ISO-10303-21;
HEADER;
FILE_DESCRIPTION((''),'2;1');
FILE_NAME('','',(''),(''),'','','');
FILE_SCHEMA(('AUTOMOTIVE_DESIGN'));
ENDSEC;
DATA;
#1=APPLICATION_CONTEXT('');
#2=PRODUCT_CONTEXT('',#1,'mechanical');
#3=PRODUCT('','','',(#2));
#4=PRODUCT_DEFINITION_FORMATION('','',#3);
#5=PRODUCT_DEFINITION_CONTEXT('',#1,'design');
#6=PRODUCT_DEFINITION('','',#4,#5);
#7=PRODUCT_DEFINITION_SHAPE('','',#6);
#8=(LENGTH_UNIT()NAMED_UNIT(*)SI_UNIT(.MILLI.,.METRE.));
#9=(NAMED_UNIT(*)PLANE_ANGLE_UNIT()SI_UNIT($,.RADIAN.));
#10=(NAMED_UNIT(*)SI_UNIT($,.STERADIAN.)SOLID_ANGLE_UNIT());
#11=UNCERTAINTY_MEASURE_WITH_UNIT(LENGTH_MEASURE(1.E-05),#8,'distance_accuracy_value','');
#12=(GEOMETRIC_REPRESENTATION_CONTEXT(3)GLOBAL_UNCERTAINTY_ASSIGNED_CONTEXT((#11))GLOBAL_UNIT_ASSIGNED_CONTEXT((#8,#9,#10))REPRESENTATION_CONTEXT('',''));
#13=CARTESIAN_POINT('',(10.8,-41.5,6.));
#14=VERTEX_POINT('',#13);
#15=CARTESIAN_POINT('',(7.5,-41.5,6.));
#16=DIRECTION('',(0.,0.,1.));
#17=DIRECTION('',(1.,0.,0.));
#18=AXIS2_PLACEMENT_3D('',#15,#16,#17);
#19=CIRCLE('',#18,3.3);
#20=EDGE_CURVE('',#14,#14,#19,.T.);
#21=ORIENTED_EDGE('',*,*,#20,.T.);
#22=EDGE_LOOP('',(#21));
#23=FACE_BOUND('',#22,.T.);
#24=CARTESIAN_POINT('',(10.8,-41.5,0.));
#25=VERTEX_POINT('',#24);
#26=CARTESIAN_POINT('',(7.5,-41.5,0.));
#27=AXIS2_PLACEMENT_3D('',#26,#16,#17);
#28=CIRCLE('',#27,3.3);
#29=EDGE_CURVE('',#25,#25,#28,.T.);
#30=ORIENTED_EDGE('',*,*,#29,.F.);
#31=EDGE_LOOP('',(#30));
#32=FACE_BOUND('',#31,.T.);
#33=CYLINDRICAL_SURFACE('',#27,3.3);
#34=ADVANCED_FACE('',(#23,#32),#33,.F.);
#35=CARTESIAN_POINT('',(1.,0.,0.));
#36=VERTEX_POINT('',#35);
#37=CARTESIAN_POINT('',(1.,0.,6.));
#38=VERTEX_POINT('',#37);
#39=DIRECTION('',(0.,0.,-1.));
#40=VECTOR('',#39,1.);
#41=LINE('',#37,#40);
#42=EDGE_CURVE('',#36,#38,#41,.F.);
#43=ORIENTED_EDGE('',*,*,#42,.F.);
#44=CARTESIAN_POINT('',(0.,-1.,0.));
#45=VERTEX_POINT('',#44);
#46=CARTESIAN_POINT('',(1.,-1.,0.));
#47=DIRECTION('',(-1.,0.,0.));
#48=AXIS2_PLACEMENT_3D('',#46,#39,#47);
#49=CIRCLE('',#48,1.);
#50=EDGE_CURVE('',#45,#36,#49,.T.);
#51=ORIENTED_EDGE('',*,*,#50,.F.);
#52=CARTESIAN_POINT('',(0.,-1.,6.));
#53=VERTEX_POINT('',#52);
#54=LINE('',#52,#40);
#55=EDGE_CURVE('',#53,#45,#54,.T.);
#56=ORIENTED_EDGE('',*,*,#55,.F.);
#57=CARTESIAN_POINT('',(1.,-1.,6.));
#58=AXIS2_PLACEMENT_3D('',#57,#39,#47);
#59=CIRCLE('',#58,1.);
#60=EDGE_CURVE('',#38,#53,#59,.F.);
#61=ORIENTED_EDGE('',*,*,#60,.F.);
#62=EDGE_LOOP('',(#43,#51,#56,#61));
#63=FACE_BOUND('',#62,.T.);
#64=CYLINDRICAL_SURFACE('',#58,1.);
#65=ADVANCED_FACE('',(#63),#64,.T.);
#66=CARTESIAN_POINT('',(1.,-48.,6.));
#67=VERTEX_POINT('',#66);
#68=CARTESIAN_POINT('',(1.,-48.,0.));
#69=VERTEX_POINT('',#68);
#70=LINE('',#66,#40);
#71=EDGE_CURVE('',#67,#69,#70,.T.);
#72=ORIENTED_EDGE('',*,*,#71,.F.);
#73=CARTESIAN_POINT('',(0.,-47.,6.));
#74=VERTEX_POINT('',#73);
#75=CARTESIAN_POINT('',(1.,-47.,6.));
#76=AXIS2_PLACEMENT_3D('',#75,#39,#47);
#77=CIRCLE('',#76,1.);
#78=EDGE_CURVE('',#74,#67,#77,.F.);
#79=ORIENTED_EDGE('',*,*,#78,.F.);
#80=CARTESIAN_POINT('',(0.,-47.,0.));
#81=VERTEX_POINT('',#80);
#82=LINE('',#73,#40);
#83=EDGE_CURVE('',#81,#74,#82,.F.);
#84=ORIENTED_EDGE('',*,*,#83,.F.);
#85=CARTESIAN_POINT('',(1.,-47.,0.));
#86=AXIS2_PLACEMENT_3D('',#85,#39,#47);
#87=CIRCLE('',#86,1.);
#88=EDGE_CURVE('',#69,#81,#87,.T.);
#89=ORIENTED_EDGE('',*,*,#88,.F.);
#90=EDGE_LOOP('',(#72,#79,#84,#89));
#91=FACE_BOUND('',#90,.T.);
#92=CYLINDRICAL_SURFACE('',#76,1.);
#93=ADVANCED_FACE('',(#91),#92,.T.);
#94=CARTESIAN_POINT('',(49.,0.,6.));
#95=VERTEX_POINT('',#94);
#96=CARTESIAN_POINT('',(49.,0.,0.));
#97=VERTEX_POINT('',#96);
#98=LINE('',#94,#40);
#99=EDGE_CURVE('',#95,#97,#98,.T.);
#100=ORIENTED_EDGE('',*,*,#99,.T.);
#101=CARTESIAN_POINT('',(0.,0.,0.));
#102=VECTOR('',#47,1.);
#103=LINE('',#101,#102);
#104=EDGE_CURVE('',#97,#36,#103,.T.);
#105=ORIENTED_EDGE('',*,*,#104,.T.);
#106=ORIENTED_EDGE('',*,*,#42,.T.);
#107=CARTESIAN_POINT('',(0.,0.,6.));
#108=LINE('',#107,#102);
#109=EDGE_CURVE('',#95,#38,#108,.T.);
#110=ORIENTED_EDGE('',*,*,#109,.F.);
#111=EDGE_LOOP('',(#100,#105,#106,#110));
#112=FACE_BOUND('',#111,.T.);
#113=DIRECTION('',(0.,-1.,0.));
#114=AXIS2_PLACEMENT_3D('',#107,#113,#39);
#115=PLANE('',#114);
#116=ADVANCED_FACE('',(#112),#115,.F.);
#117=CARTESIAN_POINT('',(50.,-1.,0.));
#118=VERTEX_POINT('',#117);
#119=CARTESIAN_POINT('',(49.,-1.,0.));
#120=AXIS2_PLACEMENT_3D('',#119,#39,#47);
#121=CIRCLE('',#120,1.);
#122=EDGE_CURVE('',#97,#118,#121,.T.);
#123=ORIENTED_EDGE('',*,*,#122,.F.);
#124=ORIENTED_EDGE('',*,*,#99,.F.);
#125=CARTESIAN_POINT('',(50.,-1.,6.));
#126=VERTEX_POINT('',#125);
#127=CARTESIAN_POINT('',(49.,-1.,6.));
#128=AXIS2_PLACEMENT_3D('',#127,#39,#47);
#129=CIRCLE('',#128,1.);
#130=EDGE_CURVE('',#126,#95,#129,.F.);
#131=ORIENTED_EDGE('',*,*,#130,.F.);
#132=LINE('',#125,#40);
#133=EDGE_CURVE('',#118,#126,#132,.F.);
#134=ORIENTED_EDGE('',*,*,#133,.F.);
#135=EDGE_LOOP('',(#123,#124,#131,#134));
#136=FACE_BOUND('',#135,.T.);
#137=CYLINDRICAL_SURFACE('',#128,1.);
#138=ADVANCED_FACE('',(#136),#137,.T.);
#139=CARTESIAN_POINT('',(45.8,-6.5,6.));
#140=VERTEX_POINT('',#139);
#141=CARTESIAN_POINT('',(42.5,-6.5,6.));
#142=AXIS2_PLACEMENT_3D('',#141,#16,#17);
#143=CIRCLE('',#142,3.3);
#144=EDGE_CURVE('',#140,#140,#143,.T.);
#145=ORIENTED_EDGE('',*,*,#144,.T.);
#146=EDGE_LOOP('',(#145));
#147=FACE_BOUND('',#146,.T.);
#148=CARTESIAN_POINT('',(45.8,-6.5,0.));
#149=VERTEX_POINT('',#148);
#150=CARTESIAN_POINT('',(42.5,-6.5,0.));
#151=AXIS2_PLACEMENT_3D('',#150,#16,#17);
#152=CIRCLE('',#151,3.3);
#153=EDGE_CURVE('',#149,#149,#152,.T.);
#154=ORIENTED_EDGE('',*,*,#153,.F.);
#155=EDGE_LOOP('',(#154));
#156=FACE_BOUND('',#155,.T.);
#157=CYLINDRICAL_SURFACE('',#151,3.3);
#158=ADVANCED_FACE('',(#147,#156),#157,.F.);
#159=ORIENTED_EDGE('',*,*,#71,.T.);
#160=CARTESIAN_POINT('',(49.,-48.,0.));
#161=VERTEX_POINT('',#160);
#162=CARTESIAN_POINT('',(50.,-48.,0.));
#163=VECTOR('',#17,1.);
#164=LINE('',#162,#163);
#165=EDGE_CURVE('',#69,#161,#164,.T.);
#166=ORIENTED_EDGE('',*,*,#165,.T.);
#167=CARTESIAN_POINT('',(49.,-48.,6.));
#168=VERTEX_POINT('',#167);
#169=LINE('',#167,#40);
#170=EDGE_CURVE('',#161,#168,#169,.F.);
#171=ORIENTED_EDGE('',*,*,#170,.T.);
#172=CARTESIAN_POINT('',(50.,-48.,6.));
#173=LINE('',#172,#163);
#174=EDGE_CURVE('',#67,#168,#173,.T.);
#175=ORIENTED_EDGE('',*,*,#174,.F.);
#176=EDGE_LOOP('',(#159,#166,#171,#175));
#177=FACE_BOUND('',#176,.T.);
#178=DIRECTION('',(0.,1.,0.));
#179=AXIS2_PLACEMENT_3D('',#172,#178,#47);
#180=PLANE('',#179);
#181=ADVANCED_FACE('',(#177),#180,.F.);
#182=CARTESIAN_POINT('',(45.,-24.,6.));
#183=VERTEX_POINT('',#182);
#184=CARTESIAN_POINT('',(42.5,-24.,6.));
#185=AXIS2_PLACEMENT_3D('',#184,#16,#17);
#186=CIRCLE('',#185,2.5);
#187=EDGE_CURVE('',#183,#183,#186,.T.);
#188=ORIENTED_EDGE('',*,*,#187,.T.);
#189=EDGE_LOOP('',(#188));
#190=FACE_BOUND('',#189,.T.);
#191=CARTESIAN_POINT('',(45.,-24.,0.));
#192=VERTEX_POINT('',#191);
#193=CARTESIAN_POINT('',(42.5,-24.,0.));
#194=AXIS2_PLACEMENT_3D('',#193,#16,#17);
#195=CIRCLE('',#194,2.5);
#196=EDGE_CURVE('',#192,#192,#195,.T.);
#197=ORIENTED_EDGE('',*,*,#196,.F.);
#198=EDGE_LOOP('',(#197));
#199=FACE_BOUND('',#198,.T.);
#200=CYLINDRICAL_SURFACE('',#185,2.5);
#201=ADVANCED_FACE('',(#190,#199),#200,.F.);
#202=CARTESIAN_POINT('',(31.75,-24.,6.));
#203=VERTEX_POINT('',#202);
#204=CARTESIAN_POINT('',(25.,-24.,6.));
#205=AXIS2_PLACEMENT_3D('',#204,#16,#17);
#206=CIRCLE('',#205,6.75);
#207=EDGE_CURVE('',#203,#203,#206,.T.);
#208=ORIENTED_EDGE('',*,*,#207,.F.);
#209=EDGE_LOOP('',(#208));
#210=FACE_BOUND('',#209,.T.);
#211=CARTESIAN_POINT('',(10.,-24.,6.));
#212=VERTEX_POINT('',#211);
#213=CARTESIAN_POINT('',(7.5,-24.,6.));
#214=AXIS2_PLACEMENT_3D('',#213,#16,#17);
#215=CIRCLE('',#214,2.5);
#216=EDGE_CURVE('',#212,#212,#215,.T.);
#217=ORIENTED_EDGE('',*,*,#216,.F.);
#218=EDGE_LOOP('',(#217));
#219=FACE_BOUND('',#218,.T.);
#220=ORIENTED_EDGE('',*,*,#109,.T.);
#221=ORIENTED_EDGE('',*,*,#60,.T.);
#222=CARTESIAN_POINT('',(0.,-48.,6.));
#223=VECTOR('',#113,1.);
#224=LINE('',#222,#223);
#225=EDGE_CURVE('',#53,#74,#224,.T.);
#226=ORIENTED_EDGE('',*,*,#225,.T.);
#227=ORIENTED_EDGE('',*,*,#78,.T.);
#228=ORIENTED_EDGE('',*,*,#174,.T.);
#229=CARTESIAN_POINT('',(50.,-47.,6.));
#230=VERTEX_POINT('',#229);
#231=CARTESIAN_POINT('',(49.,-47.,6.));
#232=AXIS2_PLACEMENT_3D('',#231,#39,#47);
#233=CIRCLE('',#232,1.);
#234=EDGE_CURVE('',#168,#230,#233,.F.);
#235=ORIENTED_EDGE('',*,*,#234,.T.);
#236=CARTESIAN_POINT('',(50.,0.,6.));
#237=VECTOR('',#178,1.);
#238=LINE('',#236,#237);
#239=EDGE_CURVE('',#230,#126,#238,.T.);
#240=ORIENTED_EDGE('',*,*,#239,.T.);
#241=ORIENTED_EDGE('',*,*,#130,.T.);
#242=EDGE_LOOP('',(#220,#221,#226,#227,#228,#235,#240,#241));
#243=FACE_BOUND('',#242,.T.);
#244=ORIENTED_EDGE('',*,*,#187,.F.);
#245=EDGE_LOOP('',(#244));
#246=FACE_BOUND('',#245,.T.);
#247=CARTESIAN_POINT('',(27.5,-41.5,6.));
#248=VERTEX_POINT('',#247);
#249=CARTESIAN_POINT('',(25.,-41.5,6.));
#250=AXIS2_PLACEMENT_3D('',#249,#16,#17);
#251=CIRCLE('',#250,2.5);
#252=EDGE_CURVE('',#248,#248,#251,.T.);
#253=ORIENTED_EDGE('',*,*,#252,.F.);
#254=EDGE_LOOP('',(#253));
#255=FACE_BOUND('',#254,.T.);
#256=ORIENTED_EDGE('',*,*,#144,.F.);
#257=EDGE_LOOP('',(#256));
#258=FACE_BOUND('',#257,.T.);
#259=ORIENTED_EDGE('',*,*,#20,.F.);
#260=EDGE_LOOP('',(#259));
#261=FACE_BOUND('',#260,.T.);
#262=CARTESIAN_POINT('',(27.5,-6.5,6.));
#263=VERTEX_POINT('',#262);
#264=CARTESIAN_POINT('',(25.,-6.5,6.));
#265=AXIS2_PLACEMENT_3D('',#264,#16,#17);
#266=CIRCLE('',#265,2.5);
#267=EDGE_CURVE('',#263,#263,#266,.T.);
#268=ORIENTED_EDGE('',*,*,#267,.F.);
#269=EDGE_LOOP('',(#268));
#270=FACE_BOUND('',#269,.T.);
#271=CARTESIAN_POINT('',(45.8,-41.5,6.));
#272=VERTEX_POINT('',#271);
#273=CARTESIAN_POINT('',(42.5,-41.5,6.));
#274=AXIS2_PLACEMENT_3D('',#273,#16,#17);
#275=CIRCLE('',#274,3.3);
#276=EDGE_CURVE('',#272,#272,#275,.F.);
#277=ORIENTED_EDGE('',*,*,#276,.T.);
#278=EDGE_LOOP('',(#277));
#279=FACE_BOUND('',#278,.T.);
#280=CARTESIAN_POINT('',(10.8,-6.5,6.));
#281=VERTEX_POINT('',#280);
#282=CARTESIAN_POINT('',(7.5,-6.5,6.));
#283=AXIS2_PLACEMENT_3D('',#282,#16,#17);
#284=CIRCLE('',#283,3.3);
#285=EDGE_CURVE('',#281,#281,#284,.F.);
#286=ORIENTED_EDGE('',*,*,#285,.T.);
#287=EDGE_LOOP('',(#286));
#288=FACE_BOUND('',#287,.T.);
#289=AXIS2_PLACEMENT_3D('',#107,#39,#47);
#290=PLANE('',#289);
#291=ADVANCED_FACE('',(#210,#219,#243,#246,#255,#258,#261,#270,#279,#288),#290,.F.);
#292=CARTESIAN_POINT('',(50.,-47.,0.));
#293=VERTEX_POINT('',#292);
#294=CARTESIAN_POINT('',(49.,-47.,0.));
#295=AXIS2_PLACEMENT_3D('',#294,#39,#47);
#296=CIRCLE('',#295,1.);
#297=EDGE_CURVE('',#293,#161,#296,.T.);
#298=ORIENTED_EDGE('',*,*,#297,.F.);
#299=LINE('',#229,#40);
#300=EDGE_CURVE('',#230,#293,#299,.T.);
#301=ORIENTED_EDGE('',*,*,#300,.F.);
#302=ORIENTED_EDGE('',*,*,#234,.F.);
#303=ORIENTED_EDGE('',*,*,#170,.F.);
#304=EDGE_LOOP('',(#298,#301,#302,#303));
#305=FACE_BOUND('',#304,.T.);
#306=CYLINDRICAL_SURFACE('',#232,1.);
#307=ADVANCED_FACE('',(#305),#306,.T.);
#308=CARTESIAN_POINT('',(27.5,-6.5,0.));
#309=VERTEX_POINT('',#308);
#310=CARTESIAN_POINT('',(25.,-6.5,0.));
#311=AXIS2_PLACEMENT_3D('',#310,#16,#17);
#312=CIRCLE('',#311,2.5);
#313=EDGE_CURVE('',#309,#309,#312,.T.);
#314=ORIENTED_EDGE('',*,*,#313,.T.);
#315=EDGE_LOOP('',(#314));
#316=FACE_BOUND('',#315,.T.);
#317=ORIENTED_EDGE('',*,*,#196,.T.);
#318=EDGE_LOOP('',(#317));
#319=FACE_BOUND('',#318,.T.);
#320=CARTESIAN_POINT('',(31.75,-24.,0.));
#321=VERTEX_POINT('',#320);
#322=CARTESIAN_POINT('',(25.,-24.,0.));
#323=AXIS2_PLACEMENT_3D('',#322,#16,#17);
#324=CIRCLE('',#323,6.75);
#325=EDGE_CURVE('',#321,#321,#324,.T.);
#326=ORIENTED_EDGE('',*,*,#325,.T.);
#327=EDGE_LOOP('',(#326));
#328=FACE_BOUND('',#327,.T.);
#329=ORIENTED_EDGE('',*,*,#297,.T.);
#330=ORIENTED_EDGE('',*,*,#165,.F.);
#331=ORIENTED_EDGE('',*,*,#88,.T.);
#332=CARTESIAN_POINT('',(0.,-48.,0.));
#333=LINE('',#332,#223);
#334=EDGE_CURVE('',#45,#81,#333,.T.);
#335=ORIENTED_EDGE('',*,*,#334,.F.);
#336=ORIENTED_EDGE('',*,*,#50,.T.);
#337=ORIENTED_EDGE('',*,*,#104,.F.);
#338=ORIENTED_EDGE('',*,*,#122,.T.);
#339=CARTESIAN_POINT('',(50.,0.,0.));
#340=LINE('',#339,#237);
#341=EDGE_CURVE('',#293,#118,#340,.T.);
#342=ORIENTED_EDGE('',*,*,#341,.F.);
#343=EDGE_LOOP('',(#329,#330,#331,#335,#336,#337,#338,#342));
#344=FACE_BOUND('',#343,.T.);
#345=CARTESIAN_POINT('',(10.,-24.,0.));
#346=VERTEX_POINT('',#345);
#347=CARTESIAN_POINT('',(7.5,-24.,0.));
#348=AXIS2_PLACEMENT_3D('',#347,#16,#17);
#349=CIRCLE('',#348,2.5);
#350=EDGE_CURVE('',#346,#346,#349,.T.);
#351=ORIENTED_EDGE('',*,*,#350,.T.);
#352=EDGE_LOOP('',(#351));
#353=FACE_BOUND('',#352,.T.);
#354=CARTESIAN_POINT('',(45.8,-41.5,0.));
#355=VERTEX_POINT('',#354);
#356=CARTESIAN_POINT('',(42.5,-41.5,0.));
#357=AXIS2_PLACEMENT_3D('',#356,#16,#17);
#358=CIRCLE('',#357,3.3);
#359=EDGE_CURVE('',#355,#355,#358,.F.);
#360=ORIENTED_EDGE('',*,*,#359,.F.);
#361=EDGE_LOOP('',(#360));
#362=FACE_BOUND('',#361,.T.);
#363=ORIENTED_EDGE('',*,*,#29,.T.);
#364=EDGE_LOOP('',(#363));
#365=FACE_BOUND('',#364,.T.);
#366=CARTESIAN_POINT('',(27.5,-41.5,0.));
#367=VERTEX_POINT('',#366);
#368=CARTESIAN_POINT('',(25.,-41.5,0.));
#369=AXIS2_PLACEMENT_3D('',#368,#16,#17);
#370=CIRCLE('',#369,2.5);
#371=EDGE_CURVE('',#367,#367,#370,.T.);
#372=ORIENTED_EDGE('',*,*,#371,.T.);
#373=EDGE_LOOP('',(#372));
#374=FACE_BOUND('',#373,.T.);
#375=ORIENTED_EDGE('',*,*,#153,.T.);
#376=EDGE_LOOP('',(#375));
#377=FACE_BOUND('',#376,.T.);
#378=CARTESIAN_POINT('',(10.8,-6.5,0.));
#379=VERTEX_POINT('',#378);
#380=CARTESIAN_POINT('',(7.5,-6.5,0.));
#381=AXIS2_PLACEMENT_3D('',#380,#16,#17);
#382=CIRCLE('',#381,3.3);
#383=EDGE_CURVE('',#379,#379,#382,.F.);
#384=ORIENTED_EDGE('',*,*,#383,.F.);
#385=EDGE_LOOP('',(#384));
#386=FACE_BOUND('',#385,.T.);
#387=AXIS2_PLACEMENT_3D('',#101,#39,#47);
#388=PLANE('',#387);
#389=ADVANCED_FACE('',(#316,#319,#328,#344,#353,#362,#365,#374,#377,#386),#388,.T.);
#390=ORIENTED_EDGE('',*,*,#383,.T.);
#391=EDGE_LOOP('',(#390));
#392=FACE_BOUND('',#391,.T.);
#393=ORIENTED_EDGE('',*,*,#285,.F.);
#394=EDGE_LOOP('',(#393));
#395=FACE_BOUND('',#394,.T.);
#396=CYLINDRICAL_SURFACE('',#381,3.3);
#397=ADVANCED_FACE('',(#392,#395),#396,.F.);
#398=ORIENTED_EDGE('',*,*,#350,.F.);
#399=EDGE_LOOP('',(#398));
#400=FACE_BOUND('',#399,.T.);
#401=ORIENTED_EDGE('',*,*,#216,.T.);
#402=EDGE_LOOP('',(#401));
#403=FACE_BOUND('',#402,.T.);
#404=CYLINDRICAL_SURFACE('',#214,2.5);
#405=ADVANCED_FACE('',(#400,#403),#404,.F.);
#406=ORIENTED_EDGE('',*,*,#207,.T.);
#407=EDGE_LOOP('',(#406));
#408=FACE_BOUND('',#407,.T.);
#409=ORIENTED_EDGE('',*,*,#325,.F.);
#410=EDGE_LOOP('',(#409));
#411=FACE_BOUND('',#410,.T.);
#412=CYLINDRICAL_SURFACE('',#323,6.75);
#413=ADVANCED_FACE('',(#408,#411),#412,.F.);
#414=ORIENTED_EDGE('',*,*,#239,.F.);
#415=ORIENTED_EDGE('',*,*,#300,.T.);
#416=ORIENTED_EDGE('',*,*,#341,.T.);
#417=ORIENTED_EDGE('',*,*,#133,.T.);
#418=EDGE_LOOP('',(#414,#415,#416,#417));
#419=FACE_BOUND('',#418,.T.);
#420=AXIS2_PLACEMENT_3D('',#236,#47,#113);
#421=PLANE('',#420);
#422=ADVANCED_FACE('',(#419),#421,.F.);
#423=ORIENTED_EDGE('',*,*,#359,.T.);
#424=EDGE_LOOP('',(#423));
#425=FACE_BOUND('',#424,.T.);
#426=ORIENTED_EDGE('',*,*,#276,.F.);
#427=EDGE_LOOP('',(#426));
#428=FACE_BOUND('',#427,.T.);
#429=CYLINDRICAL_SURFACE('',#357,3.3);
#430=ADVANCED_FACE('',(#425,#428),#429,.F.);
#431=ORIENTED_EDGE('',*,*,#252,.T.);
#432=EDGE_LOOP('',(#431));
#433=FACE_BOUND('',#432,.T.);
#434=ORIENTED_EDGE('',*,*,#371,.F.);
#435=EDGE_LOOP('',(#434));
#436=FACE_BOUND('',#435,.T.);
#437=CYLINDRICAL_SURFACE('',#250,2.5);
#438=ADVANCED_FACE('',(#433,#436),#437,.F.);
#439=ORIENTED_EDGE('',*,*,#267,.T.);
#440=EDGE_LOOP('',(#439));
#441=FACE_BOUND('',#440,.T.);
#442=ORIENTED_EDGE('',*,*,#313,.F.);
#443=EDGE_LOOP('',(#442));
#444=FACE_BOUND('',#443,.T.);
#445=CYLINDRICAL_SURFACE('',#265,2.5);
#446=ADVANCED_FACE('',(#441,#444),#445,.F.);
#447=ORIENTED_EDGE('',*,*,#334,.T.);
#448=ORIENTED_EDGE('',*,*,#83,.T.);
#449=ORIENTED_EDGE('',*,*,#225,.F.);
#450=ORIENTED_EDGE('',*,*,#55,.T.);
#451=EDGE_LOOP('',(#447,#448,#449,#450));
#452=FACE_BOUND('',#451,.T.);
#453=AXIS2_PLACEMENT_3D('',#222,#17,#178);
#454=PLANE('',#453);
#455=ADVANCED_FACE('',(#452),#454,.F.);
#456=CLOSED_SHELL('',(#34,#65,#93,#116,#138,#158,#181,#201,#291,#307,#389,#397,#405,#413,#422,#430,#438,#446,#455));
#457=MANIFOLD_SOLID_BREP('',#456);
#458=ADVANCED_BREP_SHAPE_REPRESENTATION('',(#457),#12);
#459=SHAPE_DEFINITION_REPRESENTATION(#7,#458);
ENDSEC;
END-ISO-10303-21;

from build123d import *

# Parameters (mm, degrees)
SKETCH_1_W          = 50
SKETCH_1_H          = 48
EXTRUDE_1_DEPTH     = 6
FILLET_1_R          = 1
SKETCH_2_R          = 3.3
CUT_EXTRUDE_1_DEPTH = 70.570108524
HOLE_WIZARD_M6_2_D  = 5


with BuildPart() as part:
    # 草图1 → 凸台-拉伸1 (new body)
    with BuildSketch(Plane.XY):
        with Locations((25, -24)):
            Rectangle(SKETCH_1_W, SKETCH_1_H)
    extrude(amount=EXTRUDE_1_DEPTH)

    # 圆角1
    fillet_1_edges = [part.edges().sort_by_distance(p)[0] for p in [
        (0, 0, 3),
        (50, 0, 3),
        (50, -48, 3),
        (0, -48, 3),
    ]]
    fillet(fillet_1_edges, radius=FILLET_1_R)

    # 草图2 → 切除-拉伸1 (cut, through all)
    with BuildSketch(Plane.XY.offset(6)):
        with Locations((7.5, -6.5)):
            Circle(SKETCH_2_R)
        with Locations((42.5, -6.5)):
            Circle(SKETCH_2_R)
        with Locations((42.5, -41.5)):
            Circle(SKETCH_2_R)
        with Locations((7.5, -41.5)):
            Circle(SKETCH_2_R)
        with BuildLine():
            Line((25, -24), (31.75, -24))
            ThreePointArc((31.75, -24), (29.772970773, -19.227029227), (25, -17.25))
            Line((25, -17.25), (25, -24))
        make_face()
        with BuildLine():
            Line((18.25, -24), (25, -24))
            Line((25, -24), (25, -17.25))
            ThreePointArc((25, -17.25), (20.227029227, -19.227029227), (18.25, -24))
        make_face()
        with BuildLine():
            ThreePointArc((25, -30.75), (29.772970773, -28.772970773), (31.75, -24))
            Line((31.75, -24), (25, -24))
            Line((25, -24), (25, -30.75))
        make_face()
        with BuildLine():
            Line((25, -30.75), (25, -24))
            Line((25, -24), (18.25, -24))
            ThreePointArc((18.25, -24), (20.227029227, -28.772970773), (25, -30.75))
        make_face()
    extrude(amount=-CUT_EXTRUDE_1_DEPTH, mode=Mode.SUBTRACT)

    # M6 螺纹孔2 (through all)
    with Locations(Plane.XY.offset(6)):
        with Locations((25, -6.5), (42.5, -24), (25, -41.5), (7.5, -24)):
            Hole(HOLE_WIZARD_M6_2_D / 2)


solid = part.part
